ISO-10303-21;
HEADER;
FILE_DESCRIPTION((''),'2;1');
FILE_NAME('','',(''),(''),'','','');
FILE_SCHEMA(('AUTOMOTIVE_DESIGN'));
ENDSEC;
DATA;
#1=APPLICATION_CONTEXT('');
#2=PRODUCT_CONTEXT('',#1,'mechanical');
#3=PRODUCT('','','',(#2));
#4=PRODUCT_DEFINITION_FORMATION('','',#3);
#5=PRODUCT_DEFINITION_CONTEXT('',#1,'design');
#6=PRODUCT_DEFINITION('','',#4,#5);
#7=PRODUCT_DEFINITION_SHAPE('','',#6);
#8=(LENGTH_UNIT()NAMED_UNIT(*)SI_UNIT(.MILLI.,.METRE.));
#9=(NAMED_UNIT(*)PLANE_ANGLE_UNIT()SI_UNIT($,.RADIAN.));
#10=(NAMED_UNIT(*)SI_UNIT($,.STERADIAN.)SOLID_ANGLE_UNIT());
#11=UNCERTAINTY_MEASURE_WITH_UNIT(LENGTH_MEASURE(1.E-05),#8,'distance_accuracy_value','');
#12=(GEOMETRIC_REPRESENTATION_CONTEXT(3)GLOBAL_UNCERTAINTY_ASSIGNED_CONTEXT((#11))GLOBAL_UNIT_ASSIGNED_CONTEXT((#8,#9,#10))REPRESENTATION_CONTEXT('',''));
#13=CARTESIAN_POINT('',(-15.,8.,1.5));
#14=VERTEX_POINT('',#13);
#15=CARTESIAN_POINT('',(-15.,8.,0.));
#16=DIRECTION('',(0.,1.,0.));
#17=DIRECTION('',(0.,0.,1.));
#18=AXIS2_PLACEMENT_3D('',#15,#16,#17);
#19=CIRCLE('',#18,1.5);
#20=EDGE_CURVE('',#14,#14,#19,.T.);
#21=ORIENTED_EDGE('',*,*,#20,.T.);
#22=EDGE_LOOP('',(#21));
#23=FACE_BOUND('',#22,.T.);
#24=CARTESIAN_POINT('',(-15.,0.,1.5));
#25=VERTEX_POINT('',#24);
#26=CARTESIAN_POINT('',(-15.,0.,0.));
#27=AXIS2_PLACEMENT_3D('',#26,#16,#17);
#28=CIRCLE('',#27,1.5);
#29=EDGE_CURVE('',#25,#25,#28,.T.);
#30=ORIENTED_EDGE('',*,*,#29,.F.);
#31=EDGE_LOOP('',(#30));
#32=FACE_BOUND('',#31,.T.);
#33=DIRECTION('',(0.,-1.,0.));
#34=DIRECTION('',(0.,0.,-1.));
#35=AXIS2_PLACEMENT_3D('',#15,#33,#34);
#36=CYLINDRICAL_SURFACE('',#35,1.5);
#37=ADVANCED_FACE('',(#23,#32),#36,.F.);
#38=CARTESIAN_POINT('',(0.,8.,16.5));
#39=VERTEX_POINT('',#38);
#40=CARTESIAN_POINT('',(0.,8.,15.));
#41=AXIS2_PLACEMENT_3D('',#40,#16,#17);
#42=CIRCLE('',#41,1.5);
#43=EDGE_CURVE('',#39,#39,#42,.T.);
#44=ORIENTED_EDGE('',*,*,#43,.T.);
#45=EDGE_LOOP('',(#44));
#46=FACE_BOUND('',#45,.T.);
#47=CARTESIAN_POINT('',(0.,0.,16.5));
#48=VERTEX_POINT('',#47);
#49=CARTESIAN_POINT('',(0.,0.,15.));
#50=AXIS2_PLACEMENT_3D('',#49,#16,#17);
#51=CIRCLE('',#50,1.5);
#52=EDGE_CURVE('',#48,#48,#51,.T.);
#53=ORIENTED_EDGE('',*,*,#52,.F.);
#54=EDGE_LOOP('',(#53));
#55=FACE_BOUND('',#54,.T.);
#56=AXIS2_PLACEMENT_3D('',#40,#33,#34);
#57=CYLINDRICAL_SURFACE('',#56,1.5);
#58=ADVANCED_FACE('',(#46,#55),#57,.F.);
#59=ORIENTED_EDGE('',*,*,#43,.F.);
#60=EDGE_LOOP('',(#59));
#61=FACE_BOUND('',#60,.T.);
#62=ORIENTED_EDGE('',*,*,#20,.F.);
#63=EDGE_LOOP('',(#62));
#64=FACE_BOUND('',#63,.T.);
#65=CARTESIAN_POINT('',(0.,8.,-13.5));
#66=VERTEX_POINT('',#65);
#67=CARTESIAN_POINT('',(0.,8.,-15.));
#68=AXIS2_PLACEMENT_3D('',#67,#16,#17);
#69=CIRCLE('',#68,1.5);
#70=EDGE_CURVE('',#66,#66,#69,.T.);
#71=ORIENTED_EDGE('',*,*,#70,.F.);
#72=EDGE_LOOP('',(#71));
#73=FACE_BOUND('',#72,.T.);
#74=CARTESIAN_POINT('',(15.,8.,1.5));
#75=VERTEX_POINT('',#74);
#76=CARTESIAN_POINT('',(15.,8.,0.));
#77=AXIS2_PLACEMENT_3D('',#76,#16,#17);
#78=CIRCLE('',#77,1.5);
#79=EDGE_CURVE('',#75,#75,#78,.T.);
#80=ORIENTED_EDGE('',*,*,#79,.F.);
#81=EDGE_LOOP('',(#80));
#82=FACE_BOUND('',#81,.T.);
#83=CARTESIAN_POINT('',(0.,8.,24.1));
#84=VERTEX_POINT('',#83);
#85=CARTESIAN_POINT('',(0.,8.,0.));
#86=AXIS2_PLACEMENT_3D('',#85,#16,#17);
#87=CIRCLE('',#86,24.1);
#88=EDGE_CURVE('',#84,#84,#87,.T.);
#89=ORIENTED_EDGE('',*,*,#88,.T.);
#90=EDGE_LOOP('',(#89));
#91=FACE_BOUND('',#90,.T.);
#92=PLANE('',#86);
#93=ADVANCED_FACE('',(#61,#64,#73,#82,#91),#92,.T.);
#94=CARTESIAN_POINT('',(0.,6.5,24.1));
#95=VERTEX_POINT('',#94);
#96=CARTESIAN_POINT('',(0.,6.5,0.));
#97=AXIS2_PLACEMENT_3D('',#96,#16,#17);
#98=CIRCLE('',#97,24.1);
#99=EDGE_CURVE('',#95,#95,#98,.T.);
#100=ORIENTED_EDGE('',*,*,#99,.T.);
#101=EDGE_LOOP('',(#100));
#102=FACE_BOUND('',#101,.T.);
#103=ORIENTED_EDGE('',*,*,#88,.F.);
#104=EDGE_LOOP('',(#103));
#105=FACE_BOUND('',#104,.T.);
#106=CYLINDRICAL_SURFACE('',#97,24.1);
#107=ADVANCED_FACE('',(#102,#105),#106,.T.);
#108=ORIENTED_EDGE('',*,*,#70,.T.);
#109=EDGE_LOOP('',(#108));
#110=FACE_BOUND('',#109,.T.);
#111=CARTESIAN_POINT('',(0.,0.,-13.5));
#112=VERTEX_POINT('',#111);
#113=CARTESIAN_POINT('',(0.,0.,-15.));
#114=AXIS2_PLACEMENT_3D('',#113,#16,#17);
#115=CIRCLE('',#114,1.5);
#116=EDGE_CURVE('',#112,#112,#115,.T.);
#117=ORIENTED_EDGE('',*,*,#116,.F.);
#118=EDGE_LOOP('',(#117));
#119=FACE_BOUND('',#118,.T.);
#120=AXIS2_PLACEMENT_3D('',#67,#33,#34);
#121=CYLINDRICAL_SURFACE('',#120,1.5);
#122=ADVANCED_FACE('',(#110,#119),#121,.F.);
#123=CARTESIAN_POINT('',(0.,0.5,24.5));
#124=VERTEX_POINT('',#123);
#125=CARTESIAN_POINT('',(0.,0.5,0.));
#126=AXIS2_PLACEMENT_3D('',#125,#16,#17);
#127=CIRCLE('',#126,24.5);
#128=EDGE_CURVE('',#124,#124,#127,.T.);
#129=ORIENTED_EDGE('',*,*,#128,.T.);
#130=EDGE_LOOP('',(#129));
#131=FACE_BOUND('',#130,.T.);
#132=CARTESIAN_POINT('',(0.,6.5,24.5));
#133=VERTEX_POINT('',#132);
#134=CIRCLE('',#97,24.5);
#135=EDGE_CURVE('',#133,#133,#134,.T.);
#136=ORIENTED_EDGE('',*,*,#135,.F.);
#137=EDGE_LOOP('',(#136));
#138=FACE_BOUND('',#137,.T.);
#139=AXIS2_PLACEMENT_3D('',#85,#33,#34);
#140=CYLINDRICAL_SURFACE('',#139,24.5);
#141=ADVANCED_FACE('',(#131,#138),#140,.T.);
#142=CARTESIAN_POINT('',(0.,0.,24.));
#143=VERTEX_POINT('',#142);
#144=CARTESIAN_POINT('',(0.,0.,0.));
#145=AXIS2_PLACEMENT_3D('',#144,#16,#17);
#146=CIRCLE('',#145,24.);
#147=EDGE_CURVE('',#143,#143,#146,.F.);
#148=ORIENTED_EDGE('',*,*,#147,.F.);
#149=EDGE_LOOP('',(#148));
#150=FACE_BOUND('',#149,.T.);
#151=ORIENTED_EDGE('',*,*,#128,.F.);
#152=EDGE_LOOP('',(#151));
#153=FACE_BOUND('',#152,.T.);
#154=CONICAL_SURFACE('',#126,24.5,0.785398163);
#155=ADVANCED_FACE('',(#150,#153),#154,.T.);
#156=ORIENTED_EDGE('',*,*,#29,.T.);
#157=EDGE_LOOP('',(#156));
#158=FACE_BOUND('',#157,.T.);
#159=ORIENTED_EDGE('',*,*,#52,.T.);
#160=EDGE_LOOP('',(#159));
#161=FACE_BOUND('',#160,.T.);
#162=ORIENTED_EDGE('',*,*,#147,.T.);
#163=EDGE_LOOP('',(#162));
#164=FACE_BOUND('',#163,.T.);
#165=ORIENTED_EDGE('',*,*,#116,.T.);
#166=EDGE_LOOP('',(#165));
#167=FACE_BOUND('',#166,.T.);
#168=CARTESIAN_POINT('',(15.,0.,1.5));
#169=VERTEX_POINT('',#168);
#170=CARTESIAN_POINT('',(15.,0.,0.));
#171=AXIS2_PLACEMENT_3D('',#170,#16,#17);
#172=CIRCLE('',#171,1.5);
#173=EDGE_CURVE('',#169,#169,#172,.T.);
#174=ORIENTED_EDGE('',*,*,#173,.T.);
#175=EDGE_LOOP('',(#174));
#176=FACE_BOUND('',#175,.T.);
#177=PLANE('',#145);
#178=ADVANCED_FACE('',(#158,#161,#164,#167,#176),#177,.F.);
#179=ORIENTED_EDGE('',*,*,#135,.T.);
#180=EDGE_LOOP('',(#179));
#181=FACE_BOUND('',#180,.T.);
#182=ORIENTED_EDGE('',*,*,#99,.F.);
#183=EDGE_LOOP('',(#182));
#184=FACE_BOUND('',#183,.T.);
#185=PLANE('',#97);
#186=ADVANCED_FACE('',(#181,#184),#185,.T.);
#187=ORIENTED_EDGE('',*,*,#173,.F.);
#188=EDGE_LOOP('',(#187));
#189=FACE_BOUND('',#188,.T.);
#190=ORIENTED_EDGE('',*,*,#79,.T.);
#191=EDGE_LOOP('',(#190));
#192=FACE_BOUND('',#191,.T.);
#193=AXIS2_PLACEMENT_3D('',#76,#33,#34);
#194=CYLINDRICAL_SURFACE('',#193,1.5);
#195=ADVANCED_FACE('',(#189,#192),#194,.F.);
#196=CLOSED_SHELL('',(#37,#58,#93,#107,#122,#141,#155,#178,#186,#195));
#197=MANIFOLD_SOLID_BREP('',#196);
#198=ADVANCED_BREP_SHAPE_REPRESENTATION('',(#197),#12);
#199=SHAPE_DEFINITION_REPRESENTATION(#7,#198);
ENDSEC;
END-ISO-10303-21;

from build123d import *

# Parameters (mm, degrees)
ESQUISSE1_R             = 24.5
ESQUISSE1_R_2           = 1.5
BOSS_EXTRU_1_DEPTH      = 8
ESQUISSE2_OUTSIDE_W     = 64.952
ESQUISSE2_OUTSIDE_H     = 64.952
ESQUISSE2_OUTSIDE_R     = 24.1
ENL_V_MAT_EXTRU_1_DEPTH = 1.5
CHANFREIN1_SIZE         = 0.5


with BuildPart() as part:
    # Esquisse1 → Boss.-Extru.1 (new body)
    with BuildSketch(Plane(origin=(0, 0, 0), x_dir=(1, 0, 0), z_dir=(0, 1, 0))):
        Circle(ESQUISSE1_R)
        with Locations((0, 15)):
            Circle(ESQUISSE1_R_2, mode=Mode.SUBTRACT)
        with Locations((15, 0)):
            Circle(ESQUISSE1_R_2, mode=Mode.SUBTRACT)
        with Locations((0, -15)):
            Circle(ESQUISSE1_R_2, mode=Mode.SUBTRACT)
        with Locations((-15, 0)):
            Circle(ESQUISSE1_R_2, mode=Mode.SUBTRACT)
    extrude(amount=BOSS_EXTRU_1_DEPTH)

    # Esquisse2 outside → Enlèv. mat.-Extru.1 (cut)
    with BuildSketch(Plane(origin=(0, 8, 0), x_dir=(1, 0, 0), z_dir=(0, 1, 0))):
        Rectangle(ESQUISSE2_OUTSIDE_W, ESQUISSE2_OUTSIDE_H)
        Circle(ESQUISSE2_OUTSIDE_R, mode=Mode.SUBTRACT)
    extrude(amount=-ENL_V_MAT_EXTRU_1_DEPTH, mode=Mode.SUBTRACT)

    # Chanfrein1
    chanfrein1_edges = [part.edges().sort_by_distance(p)[0] for p in [
        (-24.5, 0, 0),
    ]]
    chamfer(chanfrein1_edges, length=CHANFREIN1_SIZE)


solid = part.part
